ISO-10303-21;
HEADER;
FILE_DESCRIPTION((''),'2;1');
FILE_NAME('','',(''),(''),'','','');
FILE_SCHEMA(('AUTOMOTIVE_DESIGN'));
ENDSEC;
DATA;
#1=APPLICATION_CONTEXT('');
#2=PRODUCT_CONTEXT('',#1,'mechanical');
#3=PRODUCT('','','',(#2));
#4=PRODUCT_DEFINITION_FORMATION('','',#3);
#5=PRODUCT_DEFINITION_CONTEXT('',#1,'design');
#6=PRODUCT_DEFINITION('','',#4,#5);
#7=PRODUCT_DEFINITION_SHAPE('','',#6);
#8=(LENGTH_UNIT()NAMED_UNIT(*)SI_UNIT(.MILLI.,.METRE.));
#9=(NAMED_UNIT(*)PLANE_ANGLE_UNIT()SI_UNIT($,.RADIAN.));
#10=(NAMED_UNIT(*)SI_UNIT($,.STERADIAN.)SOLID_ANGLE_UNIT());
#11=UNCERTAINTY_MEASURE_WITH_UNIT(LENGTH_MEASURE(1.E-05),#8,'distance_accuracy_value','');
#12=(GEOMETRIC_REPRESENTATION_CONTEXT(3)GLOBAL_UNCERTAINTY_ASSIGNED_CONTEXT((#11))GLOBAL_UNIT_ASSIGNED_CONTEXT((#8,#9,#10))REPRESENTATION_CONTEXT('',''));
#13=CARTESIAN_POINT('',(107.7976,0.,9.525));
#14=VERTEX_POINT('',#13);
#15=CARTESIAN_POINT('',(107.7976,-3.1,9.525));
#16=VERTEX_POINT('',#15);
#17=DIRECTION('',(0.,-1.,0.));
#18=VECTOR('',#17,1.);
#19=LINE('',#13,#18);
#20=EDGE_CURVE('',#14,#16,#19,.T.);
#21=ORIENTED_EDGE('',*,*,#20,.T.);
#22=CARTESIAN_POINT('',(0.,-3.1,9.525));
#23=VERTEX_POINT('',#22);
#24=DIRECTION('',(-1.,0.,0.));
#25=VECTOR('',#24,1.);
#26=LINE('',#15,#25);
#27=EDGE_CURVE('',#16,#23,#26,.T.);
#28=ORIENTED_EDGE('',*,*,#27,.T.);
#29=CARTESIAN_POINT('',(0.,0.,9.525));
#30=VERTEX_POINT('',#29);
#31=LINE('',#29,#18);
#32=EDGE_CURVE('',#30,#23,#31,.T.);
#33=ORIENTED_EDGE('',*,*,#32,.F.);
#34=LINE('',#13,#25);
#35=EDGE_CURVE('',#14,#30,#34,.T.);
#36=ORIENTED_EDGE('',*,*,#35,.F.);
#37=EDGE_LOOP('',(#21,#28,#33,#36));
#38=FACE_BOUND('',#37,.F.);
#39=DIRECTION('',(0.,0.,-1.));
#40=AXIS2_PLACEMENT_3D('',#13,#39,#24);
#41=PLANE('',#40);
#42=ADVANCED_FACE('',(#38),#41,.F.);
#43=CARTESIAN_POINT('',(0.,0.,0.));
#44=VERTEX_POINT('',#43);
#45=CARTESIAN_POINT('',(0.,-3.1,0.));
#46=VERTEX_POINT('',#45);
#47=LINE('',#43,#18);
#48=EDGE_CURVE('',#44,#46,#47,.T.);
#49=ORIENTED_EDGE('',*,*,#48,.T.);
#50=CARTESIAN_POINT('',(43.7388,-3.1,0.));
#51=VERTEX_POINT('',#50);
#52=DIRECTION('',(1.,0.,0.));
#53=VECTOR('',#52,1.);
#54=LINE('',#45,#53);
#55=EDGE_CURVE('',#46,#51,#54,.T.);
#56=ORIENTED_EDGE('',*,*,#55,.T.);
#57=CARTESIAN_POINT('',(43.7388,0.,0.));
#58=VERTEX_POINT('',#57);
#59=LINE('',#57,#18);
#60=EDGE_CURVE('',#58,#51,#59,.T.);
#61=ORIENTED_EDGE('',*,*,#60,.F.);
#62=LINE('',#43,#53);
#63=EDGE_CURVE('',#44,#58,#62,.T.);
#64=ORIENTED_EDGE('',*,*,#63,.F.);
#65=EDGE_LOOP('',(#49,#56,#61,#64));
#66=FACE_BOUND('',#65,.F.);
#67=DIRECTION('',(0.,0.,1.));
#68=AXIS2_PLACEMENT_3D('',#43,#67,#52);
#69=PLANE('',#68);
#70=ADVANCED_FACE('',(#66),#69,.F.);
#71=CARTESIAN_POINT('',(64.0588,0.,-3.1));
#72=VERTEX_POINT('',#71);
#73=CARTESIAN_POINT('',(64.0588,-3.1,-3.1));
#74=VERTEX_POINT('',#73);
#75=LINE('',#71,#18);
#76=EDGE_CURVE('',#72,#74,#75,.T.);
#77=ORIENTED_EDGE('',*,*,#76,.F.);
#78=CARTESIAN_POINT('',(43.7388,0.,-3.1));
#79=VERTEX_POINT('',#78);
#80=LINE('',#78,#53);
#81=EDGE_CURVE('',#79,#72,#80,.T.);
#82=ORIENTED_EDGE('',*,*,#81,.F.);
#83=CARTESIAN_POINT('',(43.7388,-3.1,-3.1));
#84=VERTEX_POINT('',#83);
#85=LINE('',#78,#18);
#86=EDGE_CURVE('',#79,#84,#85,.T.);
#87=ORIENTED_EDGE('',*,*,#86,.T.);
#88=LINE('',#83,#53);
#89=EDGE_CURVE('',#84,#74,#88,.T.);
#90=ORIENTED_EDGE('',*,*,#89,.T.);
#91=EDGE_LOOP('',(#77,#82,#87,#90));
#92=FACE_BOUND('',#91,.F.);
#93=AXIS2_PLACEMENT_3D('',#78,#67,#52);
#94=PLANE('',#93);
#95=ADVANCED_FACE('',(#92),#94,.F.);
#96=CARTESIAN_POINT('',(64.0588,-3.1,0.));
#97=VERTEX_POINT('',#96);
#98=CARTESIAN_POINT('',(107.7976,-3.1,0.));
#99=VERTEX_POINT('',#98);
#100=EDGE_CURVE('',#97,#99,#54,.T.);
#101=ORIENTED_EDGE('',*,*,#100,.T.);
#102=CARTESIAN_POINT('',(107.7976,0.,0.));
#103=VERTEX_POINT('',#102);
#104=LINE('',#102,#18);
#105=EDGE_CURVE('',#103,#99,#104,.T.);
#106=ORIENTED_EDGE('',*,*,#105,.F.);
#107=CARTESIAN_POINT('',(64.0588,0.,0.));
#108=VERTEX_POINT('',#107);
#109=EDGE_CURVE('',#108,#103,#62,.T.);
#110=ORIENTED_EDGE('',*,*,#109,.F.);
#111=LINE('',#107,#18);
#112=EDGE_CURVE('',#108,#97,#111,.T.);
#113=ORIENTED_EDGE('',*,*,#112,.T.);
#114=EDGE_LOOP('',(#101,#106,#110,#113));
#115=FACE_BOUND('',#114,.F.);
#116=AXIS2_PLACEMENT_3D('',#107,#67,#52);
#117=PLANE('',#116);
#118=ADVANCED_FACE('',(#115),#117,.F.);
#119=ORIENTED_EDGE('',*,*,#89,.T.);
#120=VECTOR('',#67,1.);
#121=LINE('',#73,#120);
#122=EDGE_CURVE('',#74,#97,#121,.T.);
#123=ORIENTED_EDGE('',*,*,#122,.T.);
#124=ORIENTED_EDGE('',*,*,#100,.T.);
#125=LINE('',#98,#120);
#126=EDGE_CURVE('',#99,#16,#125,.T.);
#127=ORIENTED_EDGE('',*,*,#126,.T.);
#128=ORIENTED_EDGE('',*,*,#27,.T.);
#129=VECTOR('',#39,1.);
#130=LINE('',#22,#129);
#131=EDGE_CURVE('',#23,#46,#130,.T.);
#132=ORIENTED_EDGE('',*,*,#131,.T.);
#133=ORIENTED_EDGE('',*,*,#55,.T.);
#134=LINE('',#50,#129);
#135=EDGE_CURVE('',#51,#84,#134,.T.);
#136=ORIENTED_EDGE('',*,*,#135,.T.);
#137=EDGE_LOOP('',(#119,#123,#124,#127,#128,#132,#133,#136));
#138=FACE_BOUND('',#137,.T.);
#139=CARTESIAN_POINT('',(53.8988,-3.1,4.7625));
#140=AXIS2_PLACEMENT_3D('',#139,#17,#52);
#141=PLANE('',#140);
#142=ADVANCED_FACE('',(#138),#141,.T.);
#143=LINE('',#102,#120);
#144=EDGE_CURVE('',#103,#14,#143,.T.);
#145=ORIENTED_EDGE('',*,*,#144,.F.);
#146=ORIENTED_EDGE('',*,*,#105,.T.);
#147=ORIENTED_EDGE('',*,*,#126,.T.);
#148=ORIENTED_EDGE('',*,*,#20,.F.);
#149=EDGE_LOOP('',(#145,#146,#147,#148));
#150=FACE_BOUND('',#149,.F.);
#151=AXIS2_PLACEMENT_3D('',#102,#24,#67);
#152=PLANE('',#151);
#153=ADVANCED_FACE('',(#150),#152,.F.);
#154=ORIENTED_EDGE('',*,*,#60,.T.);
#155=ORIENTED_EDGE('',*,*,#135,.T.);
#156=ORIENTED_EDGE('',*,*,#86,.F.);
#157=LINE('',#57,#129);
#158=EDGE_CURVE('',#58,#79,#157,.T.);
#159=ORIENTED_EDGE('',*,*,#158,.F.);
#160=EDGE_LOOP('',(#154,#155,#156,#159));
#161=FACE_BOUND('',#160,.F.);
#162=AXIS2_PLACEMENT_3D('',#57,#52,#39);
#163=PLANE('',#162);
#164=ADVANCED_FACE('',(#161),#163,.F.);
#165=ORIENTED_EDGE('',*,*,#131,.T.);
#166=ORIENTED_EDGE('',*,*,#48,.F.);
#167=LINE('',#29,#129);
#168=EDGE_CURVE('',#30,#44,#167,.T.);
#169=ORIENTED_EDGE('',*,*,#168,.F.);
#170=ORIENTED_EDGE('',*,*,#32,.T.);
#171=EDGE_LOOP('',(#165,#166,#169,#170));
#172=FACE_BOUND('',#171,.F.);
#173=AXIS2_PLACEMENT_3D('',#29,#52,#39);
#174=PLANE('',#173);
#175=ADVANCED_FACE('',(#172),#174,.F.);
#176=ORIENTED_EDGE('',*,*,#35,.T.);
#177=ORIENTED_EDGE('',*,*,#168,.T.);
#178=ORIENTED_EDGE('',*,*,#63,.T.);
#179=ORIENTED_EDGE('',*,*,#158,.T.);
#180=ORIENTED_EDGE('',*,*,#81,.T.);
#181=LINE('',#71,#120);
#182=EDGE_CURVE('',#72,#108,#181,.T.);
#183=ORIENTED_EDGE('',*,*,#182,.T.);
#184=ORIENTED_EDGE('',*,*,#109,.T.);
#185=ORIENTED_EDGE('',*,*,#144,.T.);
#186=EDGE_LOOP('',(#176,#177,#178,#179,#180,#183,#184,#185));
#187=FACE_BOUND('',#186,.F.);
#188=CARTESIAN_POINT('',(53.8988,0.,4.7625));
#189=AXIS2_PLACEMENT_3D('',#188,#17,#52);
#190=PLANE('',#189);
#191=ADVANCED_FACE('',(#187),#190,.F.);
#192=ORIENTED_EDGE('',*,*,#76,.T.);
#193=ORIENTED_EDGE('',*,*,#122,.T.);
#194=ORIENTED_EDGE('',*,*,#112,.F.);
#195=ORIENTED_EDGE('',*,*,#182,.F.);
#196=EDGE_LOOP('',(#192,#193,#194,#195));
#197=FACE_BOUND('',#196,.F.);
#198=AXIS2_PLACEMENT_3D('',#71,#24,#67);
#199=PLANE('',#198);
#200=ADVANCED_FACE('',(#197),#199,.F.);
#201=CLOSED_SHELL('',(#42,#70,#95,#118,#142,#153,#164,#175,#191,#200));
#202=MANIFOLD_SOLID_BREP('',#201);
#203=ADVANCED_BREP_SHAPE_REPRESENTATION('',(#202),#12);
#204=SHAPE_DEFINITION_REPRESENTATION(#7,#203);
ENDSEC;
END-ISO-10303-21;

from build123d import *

# Parameters (mm, degrees)
F1_DEPTH = 3.1


with BuildPart() as f1:
    # F0 (on Front) → F1 (new body)
    with BuildSketch(Plane.XZ):
        Polygon((0, 9.525), (0, 0), (43.7388, 0), (53.8988, 0), (64.0588, 0), (107.7976, 0), (107.7976, 9.525), align=None)
        Polygon((53.8988, 0), (43.7388, 0), (43.7388, -3.1), (64.0588, -3.1), (64.0588, 0), align=None)
    extrude(amount=F1_DEPTH)


solid = f1.part
